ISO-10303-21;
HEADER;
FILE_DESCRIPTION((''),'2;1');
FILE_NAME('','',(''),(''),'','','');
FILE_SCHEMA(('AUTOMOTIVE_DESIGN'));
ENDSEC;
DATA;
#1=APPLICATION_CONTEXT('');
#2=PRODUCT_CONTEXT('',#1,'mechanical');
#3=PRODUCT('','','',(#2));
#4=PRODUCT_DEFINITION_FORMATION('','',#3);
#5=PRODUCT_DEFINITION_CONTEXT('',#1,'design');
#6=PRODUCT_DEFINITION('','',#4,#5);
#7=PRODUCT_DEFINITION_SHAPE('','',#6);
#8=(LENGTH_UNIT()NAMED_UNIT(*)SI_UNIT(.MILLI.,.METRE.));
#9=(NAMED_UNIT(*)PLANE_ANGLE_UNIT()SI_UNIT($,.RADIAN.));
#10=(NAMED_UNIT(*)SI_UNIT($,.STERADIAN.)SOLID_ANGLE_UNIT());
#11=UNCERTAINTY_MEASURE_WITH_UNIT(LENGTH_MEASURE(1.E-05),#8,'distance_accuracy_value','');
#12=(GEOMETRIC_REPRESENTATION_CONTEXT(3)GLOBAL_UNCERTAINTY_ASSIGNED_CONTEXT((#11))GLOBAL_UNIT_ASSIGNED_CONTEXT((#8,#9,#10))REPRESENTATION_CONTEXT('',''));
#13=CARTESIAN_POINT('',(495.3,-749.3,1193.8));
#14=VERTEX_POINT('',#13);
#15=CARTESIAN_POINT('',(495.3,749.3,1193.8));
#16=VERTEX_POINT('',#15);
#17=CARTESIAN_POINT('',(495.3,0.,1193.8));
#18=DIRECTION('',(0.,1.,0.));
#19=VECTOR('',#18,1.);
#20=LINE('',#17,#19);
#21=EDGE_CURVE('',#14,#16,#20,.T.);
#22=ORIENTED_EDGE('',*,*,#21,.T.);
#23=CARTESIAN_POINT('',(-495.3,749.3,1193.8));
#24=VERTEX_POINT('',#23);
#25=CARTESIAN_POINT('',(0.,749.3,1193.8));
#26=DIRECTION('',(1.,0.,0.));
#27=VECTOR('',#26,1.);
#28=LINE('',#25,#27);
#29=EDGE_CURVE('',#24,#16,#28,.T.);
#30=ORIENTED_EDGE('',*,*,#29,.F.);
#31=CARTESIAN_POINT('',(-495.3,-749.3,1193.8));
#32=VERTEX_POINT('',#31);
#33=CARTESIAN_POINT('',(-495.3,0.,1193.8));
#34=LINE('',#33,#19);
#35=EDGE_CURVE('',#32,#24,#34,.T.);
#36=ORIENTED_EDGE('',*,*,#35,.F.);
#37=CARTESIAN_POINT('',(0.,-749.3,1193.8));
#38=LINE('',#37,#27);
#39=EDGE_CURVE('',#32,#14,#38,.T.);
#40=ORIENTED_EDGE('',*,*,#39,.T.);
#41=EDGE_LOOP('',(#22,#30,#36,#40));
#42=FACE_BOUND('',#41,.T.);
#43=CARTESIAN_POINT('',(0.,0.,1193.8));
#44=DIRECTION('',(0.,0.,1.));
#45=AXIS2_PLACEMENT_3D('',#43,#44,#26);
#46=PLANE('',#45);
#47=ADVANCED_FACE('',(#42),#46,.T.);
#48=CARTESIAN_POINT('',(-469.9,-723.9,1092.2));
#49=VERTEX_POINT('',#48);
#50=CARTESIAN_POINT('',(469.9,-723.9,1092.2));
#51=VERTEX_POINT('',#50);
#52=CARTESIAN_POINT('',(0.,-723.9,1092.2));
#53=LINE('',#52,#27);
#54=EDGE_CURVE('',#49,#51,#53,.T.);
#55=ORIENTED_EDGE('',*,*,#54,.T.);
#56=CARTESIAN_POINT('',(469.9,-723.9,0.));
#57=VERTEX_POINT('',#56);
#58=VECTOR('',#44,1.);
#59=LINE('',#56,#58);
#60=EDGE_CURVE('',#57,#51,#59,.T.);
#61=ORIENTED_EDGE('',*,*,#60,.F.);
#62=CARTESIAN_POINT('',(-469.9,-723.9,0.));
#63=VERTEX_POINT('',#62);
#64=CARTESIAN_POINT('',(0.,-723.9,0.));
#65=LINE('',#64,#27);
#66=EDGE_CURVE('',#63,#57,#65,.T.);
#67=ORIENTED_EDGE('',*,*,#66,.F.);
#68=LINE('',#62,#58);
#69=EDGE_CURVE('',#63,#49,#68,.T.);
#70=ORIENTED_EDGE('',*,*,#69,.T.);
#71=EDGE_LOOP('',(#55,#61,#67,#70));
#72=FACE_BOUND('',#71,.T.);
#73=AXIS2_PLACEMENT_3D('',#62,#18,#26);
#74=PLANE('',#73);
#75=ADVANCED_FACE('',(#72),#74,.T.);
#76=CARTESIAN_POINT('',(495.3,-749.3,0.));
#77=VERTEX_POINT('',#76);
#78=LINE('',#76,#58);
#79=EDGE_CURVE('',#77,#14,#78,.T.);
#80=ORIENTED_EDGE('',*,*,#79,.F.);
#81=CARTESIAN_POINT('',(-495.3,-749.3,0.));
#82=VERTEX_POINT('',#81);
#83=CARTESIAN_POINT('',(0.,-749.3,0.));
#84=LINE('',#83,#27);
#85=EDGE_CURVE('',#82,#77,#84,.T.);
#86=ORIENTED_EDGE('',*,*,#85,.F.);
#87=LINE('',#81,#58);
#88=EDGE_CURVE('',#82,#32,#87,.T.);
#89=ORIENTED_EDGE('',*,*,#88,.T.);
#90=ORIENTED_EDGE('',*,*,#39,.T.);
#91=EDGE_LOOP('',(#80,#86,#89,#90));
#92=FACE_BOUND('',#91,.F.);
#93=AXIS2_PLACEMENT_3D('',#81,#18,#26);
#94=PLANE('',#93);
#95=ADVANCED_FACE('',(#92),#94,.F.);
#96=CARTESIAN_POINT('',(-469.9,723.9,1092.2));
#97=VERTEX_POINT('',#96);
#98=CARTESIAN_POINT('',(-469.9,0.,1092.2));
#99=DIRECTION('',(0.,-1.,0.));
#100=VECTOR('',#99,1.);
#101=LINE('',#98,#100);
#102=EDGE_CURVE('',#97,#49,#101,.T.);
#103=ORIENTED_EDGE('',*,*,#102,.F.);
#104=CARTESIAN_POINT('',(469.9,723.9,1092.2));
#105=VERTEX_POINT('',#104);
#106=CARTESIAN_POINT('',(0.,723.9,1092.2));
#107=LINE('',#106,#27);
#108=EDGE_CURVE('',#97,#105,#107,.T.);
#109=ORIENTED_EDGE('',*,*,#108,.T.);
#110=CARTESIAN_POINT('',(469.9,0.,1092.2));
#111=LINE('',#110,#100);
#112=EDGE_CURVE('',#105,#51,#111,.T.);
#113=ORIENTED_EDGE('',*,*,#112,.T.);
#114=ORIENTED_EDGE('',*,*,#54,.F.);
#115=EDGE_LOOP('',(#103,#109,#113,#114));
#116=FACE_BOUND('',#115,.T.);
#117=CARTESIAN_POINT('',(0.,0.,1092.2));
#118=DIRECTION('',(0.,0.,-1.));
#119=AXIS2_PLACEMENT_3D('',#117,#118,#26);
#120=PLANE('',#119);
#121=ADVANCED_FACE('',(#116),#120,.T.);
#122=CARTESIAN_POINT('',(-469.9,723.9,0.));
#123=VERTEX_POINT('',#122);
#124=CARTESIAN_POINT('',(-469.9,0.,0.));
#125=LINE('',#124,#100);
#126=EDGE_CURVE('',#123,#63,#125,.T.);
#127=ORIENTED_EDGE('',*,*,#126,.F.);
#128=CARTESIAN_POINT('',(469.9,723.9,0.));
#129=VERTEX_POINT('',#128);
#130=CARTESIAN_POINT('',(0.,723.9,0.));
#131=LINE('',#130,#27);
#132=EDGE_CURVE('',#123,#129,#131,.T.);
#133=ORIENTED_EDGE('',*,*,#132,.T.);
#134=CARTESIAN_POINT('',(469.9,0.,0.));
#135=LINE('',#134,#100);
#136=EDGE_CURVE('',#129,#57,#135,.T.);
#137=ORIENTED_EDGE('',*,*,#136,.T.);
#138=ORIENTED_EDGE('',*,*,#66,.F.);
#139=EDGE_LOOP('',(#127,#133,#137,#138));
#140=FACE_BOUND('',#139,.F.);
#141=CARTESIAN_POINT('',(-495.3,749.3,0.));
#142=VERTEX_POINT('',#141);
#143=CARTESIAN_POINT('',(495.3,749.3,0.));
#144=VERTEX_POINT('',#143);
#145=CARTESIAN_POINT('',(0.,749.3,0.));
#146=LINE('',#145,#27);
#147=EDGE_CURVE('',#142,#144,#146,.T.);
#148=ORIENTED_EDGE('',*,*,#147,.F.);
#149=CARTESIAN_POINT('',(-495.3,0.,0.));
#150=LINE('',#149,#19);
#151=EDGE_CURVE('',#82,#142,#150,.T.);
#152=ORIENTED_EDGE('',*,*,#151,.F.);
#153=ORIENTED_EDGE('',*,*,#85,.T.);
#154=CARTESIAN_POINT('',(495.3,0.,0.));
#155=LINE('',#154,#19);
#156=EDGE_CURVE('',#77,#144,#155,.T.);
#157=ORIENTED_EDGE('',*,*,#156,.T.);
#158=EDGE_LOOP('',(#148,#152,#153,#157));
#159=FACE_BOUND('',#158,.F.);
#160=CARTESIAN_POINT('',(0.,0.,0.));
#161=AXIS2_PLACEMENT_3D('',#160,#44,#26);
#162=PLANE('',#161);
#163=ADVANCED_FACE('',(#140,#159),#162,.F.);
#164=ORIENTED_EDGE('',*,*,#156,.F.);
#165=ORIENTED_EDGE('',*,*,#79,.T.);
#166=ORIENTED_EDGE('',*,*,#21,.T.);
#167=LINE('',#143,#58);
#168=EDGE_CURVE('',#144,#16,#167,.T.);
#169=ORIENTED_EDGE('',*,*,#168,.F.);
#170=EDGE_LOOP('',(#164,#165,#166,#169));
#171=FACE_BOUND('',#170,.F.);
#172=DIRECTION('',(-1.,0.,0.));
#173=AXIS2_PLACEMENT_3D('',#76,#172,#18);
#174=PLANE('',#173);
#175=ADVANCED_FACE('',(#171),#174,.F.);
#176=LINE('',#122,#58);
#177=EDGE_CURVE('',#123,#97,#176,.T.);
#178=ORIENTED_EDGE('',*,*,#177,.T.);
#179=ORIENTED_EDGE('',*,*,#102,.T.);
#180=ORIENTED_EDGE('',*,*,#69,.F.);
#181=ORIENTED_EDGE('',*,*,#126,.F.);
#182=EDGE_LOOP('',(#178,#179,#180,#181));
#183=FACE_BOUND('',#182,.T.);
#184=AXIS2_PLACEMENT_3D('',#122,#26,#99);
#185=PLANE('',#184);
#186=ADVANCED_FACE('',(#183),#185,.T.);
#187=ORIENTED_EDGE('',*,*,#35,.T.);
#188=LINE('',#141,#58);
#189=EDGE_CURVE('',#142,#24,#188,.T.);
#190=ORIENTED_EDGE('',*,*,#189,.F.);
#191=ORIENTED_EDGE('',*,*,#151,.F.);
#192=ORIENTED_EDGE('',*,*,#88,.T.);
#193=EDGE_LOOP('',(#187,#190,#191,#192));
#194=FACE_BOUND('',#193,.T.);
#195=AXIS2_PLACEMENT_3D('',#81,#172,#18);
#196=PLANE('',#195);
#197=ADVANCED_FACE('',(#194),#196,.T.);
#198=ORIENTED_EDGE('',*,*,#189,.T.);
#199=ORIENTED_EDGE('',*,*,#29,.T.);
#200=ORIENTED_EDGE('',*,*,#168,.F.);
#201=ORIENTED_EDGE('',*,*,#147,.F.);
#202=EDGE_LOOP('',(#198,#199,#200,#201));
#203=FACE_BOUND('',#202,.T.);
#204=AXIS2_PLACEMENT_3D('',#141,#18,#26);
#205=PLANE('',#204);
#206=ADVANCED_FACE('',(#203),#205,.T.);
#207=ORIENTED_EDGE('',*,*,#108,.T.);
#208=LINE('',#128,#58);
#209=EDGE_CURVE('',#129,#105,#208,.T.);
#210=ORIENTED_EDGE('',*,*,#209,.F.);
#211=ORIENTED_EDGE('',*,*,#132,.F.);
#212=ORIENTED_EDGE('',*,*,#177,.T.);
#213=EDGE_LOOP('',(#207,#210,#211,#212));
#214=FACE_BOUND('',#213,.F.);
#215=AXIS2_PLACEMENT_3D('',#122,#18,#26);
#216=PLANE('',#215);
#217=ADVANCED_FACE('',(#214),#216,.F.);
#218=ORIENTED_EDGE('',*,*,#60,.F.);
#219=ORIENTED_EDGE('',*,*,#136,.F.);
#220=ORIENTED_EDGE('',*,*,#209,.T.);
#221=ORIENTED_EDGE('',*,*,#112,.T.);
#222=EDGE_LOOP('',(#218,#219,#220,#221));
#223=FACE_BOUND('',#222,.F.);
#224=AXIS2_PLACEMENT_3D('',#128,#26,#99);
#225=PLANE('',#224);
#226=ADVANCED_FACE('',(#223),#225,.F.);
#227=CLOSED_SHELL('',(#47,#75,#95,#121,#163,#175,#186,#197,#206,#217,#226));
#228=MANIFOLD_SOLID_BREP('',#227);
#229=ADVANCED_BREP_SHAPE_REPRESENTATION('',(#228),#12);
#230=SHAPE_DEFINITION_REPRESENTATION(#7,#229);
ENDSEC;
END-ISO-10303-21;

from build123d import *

# Parameters (mm, degrees)
F0_W     = 990.6
F0_H     = 1498.6
F1_DEPTH = 1193.8
F2_W     = 939.8
F2_H     = 1447.8
F3_DEPTH = 1092.2


with BuildPart() as f1:
    # F0 (on Top) → F1 (new body)
    with BuildSketch(Plane.XY):
        Rectangle(F0_W, F0_H)
    extrude(amount=F1_DEPTH)

    # F2 (on face) → F3 (cut)
    with BuildSketch(Plane(origin=(0, 0, 0), x_dir=(1, 0, 0), z_dir=(0, 0, -1))):
        Rectangle(F2_W, F2_H)
    extrude(amount=-F3_DEPTH, mode=Mode.SUBTRACT)


solid = f1.part
